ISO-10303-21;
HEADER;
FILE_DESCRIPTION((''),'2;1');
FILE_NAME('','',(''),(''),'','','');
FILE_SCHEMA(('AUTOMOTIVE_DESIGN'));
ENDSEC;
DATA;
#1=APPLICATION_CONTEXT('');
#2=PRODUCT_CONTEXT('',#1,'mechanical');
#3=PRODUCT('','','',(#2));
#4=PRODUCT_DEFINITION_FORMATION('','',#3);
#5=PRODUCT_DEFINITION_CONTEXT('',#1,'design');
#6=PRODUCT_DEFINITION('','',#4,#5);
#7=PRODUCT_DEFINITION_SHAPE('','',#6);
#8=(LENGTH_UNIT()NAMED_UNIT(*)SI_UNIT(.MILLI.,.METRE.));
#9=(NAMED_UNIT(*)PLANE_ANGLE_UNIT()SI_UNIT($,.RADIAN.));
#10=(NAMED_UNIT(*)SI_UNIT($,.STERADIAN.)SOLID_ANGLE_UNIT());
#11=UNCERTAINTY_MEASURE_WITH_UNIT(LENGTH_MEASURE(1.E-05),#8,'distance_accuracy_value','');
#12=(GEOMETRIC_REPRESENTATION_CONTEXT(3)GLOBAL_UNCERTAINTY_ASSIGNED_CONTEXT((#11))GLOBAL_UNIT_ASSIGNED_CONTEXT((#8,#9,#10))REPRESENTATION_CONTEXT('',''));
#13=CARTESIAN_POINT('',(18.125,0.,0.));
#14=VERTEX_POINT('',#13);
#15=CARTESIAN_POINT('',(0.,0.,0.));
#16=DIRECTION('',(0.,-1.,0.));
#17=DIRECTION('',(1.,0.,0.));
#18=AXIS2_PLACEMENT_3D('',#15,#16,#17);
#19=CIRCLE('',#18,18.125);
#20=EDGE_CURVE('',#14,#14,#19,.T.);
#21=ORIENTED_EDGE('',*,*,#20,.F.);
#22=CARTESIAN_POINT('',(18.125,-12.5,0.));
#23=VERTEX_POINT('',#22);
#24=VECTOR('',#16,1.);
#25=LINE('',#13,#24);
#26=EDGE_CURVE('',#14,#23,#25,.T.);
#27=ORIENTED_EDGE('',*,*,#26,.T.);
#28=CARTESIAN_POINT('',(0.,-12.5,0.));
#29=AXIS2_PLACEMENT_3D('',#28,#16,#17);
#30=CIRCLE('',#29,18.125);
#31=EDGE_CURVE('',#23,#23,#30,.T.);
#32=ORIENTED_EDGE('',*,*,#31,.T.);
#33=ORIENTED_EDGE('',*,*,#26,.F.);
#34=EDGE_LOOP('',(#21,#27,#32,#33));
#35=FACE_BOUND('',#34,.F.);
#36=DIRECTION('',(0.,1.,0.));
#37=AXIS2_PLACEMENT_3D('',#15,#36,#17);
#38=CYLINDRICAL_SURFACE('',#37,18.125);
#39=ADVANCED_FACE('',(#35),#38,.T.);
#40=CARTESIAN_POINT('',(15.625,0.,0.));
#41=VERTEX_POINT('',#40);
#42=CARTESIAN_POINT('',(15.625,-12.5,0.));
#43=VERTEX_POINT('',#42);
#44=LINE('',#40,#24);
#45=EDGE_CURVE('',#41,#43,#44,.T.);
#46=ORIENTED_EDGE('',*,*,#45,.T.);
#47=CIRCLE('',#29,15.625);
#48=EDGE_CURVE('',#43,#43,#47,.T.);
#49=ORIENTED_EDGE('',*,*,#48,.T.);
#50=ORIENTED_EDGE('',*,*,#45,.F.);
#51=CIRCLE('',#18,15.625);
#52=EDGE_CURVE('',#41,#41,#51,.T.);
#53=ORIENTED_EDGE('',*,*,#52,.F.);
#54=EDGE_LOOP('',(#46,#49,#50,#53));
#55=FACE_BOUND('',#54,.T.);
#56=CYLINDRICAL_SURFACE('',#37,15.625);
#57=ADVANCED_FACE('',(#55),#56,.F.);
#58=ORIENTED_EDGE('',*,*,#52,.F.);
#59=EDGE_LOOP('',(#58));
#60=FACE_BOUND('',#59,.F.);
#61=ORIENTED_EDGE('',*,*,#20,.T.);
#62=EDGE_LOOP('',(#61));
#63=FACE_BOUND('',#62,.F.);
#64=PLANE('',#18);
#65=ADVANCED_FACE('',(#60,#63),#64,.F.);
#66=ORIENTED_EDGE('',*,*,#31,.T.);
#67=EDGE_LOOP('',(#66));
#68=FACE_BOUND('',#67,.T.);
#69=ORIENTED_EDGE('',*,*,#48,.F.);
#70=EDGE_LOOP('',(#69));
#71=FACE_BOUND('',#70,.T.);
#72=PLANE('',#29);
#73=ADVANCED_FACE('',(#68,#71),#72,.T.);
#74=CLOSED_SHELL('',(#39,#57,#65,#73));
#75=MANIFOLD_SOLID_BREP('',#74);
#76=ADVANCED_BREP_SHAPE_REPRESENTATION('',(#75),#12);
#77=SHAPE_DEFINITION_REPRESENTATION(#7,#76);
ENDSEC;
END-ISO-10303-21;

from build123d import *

# Parameters (mm, degrees)
F0_R     = 72.5
F0_R_2   = 62.5
F1_DEPTH = 50
F2_SCALE = 0.25


with BuildPart() as f1:
    # F0 (on Front) → F1 (new body)
    with BuildSketch(Plane.XZ):
        Circle(F0_R)
        Circle(F0_R_2, mode=Mode.SUBTRACT)
    extrude(amount=F1_DEPTH)


with BuildPart() as f1_1:
    # F2: moved
    add(f1.part.scale(F2_SCALE))


solid = f1_1.part
